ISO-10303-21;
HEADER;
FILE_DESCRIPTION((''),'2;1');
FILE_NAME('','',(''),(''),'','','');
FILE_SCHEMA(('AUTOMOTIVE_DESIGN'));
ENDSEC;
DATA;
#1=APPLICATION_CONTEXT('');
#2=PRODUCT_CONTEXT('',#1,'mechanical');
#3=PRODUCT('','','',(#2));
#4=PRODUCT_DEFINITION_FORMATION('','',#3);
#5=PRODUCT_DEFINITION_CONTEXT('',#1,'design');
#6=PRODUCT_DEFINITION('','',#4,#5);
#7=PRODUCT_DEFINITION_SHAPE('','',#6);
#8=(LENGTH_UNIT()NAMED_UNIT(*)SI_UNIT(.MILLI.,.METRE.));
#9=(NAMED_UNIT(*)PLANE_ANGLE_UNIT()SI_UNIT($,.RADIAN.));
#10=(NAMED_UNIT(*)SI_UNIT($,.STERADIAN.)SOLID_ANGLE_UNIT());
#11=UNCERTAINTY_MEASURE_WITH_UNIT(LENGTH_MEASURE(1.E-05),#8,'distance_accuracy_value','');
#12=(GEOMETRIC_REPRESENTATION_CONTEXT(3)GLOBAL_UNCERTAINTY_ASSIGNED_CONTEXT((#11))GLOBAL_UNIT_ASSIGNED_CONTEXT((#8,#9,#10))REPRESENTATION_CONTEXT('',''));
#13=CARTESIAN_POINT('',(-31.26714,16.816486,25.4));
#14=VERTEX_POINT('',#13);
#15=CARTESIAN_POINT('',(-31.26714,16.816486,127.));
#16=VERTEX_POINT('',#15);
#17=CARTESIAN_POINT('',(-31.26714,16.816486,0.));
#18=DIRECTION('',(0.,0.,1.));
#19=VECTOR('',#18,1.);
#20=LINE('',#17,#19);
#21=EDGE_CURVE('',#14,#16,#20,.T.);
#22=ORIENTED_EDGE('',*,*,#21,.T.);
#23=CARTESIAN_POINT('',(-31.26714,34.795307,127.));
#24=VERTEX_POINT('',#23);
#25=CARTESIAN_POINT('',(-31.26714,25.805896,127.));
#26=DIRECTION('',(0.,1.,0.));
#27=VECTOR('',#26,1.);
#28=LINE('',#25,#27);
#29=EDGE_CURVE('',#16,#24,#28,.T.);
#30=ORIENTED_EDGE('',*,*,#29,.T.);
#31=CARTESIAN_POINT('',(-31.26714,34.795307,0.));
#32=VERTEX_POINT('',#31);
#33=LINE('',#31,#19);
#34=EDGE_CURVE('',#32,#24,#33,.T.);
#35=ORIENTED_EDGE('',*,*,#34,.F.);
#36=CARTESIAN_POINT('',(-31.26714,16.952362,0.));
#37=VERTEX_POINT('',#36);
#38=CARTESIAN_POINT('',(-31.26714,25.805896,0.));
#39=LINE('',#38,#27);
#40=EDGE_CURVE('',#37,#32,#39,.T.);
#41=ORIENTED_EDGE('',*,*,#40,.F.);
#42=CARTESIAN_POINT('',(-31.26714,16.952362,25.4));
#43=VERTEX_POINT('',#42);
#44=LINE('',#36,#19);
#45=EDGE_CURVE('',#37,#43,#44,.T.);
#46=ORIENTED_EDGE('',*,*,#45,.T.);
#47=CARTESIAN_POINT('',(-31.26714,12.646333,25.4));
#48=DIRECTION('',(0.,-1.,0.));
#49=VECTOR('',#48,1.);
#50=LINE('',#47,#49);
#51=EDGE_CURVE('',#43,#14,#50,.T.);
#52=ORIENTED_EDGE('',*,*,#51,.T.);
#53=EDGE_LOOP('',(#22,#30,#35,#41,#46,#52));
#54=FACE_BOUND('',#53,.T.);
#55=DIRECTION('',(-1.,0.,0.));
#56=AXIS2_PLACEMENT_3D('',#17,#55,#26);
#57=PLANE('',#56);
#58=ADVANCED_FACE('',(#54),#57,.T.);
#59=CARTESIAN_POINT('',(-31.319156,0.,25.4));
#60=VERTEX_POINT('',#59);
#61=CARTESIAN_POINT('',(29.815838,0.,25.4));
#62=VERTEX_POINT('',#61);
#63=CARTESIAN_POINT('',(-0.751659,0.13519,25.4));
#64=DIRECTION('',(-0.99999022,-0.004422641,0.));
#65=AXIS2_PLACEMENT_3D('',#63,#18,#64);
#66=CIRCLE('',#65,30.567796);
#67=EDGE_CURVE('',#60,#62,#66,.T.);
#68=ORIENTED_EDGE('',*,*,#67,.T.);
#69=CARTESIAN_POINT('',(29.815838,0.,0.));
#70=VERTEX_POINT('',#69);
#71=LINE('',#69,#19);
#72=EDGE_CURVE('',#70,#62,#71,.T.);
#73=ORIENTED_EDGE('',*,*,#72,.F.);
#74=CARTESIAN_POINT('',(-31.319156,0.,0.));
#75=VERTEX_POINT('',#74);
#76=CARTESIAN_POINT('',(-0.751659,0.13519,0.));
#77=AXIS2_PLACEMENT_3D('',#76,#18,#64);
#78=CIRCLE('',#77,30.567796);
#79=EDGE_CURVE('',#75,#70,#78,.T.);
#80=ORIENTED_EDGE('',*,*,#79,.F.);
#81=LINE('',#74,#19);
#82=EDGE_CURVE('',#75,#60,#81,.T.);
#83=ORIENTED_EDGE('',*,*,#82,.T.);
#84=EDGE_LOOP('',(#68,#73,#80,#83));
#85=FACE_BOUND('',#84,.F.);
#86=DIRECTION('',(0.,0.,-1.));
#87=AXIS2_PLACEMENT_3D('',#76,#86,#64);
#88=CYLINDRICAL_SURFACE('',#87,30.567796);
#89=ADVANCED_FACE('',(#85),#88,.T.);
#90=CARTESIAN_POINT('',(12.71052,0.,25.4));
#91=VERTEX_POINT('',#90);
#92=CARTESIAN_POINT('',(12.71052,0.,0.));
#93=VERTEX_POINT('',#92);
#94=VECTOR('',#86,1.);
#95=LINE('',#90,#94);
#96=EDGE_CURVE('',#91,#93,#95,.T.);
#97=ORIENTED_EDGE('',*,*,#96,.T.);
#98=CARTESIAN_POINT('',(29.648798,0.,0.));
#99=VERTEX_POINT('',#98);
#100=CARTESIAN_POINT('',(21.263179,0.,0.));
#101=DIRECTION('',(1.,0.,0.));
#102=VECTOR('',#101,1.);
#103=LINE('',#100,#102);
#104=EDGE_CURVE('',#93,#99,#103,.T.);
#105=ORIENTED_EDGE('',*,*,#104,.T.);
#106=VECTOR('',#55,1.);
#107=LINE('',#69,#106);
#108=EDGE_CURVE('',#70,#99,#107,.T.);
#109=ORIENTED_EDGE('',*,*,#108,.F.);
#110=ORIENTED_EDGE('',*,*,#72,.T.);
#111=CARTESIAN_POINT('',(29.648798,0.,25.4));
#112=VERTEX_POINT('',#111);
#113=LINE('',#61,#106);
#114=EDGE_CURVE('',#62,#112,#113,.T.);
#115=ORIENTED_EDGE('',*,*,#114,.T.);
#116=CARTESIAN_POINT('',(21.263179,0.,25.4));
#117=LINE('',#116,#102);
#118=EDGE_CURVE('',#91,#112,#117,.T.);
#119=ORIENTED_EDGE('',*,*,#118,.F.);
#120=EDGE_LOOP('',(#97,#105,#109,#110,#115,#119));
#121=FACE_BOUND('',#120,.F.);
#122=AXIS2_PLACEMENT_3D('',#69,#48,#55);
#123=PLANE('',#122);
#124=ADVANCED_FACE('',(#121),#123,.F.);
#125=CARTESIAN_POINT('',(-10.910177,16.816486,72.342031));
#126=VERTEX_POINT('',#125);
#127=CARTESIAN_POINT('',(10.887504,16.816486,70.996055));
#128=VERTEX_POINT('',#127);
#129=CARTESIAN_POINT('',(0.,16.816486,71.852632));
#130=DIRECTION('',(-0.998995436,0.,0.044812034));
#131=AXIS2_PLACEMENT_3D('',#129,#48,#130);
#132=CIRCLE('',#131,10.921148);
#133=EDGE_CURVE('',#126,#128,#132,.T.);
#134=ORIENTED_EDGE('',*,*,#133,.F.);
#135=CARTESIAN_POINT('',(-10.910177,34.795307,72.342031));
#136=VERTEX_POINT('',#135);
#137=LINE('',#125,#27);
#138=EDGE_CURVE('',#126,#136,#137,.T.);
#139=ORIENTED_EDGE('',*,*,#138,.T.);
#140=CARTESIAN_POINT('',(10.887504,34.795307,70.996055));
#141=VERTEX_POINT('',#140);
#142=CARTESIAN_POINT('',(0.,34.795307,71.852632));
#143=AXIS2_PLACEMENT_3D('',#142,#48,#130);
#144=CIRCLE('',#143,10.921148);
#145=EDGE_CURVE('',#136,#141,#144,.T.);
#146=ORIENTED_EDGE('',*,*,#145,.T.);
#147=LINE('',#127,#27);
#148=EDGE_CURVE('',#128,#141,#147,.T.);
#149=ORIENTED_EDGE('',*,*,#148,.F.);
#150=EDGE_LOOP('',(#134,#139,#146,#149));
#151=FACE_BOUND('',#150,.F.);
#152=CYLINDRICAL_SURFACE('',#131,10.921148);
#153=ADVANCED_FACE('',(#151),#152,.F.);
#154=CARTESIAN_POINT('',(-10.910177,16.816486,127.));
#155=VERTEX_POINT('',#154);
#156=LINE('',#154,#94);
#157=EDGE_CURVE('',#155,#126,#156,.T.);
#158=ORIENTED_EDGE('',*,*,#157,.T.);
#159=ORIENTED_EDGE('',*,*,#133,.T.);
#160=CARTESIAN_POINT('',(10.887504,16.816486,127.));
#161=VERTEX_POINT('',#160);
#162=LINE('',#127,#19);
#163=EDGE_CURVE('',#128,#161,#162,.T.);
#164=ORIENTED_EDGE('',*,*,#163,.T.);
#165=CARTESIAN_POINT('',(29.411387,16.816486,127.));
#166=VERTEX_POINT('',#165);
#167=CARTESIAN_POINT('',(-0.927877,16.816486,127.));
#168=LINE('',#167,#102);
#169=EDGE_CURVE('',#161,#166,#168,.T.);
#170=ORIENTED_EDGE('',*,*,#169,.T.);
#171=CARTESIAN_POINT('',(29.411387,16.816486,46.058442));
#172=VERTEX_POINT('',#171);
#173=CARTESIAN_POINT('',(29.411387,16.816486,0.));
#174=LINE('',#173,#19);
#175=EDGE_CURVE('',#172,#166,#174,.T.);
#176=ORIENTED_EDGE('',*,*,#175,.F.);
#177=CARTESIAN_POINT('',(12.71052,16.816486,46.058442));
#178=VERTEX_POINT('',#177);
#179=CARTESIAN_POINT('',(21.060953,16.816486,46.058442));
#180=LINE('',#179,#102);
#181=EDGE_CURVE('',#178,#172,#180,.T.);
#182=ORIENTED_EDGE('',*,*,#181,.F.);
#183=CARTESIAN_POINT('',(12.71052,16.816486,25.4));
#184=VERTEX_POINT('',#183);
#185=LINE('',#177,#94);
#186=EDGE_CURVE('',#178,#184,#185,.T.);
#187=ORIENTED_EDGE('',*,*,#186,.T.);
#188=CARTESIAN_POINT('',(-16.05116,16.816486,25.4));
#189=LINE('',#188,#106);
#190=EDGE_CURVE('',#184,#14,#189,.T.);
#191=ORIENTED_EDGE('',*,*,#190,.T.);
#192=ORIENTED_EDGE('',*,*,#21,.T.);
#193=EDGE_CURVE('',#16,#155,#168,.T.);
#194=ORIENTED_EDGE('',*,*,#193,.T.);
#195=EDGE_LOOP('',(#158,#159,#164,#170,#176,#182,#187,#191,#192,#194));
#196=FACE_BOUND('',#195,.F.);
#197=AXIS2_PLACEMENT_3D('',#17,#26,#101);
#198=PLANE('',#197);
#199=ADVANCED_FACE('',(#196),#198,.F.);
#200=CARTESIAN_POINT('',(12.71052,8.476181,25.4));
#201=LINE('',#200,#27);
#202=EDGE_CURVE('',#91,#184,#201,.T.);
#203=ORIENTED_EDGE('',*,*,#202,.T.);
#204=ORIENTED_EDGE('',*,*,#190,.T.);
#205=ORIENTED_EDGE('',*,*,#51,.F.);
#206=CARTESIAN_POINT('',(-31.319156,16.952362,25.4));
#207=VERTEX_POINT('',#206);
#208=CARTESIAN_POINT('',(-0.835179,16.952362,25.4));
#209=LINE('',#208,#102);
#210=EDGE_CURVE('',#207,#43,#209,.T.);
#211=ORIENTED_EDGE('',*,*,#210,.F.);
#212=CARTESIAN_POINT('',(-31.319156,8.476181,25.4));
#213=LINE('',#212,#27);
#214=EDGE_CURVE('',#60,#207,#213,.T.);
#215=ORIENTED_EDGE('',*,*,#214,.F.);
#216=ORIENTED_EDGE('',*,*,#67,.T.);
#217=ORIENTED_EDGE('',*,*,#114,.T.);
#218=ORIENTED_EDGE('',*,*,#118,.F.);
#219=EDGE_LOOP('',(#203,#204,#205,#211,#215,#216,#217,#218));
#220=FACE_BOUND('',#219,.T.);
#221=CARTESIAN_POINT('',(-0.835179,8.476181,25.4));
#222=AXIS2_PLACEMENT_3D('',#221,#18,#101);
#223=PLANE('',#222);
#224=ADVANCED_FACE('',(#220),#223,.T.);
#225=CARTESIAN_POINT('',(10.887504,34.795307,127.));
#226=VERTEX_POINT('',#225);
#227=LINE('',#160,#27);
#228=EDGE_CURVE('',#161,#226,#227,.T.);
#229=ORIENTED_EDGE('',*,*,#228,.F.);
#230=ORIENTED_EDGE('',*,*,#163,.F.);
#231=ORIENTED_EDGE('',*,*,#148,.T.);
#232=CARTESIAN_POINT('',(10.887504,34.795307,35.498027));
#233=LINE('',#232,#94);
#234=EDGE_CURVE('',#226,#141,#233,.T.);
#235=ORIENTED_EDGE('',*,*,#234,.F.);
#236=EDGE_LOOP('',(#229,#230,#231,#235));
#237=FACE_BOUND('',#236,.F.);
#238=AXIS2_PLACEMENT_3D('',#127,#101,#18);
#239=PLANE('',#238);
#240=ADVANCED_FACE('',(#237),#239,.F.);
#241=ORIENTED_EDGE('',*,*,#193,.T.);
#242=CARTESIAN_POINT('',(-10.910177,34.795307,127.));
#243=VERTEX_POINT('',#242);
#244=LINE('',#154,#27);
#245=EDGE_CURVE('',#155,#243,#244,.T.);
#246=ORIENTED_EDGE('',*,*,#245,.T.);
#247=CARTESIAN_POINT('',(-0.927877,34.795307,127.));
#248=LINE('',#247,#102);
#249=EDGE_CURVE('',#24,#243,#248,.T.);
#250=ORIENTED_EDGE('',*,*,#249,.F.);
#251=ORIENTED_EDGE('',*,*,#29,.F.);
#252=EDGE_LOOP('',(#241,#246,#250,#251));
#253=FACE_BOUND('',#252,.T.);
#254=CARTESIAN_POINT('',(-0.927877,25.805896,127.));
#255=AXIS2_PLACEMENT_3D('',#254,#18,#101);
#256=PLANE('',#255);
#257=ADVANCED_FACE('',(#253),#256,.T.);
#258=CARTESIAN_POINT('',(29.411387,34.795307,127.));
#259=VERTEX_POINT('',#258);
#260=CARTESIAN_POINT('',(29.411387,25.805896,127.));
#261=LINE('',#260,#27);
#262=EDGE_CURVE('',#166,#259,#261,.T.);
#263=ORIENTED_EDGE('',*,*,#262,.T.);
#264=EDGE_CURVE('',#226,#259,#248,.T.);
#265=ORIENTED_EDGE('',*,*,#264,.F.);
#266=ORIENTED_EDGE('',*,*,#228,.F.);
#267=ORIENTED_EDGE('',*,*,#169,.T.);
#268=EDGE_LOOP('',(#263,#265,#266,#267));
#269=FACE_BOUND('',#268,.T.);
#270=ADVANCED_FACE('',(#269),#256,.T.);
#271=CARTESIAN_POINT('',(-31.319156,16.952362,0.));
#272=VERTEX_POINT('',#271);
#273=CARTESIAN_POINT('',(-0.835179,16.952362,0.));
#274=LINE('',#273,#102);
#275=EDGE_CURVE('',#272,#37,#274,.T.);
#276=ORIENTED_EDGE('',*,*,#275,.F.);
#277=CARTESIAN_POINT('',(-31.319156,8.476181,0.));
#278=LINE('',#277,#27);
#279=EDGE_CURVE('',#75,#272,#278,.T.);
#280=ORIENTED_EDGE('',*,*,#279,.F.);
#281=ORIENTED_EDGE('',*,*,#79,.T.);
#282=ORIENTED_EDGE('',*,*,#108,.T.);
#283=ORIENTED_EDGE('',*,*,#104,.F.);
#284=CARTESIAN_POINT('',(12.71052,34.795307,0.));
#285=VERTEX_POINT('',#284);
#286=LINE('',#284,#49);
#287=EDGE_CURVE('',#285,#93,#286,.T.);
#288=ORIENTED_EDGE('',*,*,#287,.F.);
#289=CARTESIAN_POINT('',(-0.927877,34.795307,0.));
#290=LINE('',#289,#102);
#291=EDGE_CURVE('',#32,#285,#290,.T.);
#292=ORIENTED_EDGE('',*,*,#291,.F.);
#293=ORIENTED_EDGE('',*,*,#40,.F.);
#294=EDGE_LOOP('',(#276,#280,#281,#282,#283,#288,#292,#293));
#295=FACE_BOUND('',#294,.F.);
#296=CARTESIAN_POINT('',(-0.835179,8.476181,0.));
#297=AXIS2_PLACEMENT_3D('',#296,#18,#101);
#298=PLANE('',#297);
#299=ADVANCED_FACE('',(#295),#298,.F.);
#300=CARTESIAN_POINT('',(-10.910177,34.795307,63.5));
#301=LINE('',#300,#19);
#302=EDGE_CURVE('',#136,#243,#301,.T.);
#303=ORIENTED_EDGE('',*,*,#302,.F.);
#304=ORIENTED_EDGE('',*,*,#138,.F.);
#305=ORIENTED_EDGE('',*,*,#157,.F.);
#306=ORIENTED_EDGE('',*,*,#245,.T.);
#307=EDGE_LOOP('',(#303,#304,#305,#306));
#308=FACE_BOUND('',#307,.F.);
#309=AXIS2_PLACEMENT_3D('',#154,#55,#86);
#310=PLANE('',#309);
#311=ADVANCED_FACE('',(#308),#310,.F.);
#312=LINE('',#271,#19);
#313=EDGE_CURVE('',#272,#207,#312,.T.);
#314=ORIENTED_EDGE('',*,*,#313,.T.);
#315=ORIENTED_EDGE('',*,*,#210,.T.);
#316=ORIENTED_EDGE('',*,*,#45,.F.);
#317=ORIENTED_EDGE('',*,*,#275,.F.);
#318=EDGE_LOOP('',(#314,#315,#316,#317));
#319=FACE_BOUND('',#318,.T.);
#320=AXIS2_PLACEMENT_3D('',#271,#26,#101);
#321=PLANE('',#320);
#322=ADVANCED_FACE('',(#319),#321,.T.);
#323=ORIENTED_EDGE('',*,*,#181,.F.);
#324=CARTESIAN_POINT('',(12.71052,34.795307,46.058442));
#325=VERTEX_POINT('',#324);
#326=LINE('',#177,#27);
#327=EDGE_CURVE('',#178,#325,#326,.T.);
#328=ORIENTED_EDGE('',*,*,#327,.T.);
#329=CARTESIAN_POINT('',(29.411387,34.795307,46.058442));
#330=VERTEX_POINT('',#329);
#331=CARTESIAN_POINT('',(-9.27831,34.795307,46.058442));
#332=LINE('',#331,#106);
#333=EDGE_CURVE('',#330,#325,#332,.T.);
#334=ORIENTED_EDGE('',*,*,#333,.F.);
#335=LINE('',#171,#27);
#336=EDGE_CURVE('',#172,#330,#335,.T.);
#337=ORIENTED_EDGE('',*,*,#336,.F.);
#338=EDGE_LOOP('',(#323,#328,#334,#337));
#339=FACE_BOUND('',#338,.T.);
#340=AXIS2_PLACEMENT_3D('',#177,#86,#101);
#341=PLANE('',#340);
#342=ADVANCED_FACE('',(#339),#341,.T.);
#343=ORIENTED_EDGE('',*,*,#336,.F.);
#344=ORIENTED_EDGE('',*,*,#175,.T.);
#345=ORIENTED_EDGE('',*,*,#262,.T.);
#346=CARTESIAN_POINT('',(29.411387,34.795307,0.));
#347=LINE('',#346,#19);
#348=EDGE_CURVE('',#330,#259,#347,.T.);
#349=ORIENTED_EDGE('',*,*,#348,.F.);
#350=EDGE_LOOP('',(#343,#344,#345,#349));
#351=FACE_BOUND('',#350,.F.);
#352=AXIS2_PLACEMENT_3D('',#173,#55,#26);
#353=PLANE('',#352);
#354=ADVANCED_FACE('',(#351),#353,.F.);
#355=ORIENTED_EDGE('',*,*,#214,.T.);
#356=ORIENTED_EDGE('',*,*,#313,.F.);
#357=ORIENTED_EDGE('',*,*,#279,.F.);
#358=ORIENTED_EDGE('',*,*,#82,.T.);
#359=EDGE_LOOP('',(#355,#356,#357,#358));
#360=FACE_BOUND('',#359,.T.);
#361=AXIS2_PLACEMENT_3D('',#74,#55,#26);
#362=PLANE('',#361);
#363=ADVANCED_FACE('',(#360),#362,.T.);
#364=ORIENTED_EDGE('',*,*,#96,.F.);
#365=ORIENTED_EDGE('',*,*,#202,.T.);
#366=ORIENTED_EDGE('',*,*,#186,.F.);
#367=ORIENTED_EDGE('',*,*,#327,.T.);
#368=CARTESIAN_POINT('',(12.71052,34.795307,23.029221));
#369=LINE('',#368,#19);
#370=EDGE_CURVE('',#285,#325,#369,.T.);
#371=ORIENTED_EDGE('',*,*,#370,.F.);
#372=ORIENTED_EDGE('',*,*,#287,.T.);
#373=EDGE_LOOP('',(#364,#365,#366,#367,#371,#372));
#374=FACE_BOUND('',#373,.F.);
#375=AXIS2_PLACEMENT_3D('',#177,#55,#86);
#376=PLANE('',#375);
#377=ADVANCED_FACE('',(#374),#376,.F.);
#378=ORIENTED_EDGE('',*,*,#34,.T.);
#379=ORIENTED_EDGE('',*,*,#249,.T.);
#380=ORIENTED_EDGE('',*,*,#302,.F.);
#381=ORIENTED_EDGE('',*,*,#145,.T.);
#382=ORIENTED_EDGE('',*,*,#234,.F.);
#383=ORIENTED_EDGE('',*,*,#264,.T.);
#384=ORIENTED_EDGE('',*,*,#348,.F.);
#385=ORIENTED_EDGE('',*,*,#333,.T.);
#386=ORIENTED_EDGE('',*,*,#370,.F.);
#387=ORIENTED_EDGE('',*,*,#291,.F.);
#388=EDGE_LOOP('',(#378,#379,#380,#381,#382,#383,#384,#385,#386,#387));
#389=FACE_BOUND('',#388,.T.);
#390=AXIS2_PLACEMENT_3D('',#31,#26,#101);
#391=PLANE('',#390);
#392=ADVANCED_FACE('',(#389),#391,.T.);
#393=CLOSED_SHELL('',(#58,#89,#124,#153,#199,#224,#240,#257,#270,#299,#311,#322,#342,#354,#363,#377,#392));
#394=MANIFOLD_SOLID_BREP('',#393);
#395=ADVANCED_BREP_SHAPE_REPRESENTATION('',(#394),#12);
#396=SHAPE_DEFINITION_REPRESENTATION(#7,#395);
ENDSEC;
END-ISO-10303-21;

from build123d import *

# Parameters (mm, degrees)
F1_DEPTH  = 25.4
F2_W      = 60.9679538757
F2_H      = 16.9523619115
F3_DEPTH  = 25.4
F4_W      = 17.1053176746
F4_H      = 16.9523619115
F5_DEPTH  = 25.4
F6_W      = 60.6785267591
F6_H      = 17.9788209498
F7_DEPTH  = 127
F8_W      = 16.7008666322
F8_H      = 20.6584424436
F8_H_2    = 25.4
F9_DEPTH  = 25.4
F11_DEPTH = 25.4


with BuildPart() as f1:
    # F0 (on Top) → F1 (new body)
    with BuildSketch(Plane.XY):
        with BuildLine():
            Line((29.8158377409, 0), (-31.3191562891, 0))
            ThreePointArc((-31.3191562891, 0), (-0.7516592741, -30.4326055801), (29.8158377409, 0))
        make_face()
    extrude(amount=F1_DEPTH)

    # F2 (on Top) → F3 (join)
    with BuildSketch(Plane.XY):
        with Locations((-0.8351793513, 8.4761809558)):
            Rectangle(F2_W, F2_H)
    extrude(amount=F3_DEPTH)

    # F4 (on face) → F5 (cut)
    with BuildSketch(Plane.XY.offset(25.4)):
        with Locations((21.2631789036, 8.4761809558)):
            Rectangle(F4_W, F4_H)
    extrude(amount=-F5_DEPTH, mode=Mode.SUBTRACT)

    # F6 (on Top) → F7 (join)
    with BuildSketch(Plane.XY):
        with Locations((-0.9278766811, 25.8058961481)):
            Rectangle(F6_W, F6_H)
    extrude(amount=F7_DEPTH)

    # F8 (on face) → F9 (cut)
    with BuildSketch(Plane.XZ.offset(-16.8164856732)):
        with Locations((21.0609533824, 35.7292212218)):
            Rectangle(F8_W, F8_H)
        with Locations((21.0609533824, 12.7)):
            Rectangle(F8_W, F8_H_2)
    extrude(amount=-F9_DEPTH, mode=Mode.SUBTRACT)

    # F10 (on face) → F11 (cut)
    with BuildSketch(Plane.XZ.offset(-16.8164856732)):
        with BuildLine():
            Line((-10.910176672, 127), (-10.910176672, 72.342030704))
            ThreePointArc((-10.910176672, 72.342030704), (-0.6730834345, 60.9522454092), (10.8875039349, 70.9960547807))
            Line((10.8875039349, 70.9960547807), (10.8875039349, 127))
            Line((10.8875039349, 127), (-10.910176672, 127))
        make_face()
    extrude(amount=-F11_DEPTH, mode=Mode.SUBTRACT)


solid = f1.part
